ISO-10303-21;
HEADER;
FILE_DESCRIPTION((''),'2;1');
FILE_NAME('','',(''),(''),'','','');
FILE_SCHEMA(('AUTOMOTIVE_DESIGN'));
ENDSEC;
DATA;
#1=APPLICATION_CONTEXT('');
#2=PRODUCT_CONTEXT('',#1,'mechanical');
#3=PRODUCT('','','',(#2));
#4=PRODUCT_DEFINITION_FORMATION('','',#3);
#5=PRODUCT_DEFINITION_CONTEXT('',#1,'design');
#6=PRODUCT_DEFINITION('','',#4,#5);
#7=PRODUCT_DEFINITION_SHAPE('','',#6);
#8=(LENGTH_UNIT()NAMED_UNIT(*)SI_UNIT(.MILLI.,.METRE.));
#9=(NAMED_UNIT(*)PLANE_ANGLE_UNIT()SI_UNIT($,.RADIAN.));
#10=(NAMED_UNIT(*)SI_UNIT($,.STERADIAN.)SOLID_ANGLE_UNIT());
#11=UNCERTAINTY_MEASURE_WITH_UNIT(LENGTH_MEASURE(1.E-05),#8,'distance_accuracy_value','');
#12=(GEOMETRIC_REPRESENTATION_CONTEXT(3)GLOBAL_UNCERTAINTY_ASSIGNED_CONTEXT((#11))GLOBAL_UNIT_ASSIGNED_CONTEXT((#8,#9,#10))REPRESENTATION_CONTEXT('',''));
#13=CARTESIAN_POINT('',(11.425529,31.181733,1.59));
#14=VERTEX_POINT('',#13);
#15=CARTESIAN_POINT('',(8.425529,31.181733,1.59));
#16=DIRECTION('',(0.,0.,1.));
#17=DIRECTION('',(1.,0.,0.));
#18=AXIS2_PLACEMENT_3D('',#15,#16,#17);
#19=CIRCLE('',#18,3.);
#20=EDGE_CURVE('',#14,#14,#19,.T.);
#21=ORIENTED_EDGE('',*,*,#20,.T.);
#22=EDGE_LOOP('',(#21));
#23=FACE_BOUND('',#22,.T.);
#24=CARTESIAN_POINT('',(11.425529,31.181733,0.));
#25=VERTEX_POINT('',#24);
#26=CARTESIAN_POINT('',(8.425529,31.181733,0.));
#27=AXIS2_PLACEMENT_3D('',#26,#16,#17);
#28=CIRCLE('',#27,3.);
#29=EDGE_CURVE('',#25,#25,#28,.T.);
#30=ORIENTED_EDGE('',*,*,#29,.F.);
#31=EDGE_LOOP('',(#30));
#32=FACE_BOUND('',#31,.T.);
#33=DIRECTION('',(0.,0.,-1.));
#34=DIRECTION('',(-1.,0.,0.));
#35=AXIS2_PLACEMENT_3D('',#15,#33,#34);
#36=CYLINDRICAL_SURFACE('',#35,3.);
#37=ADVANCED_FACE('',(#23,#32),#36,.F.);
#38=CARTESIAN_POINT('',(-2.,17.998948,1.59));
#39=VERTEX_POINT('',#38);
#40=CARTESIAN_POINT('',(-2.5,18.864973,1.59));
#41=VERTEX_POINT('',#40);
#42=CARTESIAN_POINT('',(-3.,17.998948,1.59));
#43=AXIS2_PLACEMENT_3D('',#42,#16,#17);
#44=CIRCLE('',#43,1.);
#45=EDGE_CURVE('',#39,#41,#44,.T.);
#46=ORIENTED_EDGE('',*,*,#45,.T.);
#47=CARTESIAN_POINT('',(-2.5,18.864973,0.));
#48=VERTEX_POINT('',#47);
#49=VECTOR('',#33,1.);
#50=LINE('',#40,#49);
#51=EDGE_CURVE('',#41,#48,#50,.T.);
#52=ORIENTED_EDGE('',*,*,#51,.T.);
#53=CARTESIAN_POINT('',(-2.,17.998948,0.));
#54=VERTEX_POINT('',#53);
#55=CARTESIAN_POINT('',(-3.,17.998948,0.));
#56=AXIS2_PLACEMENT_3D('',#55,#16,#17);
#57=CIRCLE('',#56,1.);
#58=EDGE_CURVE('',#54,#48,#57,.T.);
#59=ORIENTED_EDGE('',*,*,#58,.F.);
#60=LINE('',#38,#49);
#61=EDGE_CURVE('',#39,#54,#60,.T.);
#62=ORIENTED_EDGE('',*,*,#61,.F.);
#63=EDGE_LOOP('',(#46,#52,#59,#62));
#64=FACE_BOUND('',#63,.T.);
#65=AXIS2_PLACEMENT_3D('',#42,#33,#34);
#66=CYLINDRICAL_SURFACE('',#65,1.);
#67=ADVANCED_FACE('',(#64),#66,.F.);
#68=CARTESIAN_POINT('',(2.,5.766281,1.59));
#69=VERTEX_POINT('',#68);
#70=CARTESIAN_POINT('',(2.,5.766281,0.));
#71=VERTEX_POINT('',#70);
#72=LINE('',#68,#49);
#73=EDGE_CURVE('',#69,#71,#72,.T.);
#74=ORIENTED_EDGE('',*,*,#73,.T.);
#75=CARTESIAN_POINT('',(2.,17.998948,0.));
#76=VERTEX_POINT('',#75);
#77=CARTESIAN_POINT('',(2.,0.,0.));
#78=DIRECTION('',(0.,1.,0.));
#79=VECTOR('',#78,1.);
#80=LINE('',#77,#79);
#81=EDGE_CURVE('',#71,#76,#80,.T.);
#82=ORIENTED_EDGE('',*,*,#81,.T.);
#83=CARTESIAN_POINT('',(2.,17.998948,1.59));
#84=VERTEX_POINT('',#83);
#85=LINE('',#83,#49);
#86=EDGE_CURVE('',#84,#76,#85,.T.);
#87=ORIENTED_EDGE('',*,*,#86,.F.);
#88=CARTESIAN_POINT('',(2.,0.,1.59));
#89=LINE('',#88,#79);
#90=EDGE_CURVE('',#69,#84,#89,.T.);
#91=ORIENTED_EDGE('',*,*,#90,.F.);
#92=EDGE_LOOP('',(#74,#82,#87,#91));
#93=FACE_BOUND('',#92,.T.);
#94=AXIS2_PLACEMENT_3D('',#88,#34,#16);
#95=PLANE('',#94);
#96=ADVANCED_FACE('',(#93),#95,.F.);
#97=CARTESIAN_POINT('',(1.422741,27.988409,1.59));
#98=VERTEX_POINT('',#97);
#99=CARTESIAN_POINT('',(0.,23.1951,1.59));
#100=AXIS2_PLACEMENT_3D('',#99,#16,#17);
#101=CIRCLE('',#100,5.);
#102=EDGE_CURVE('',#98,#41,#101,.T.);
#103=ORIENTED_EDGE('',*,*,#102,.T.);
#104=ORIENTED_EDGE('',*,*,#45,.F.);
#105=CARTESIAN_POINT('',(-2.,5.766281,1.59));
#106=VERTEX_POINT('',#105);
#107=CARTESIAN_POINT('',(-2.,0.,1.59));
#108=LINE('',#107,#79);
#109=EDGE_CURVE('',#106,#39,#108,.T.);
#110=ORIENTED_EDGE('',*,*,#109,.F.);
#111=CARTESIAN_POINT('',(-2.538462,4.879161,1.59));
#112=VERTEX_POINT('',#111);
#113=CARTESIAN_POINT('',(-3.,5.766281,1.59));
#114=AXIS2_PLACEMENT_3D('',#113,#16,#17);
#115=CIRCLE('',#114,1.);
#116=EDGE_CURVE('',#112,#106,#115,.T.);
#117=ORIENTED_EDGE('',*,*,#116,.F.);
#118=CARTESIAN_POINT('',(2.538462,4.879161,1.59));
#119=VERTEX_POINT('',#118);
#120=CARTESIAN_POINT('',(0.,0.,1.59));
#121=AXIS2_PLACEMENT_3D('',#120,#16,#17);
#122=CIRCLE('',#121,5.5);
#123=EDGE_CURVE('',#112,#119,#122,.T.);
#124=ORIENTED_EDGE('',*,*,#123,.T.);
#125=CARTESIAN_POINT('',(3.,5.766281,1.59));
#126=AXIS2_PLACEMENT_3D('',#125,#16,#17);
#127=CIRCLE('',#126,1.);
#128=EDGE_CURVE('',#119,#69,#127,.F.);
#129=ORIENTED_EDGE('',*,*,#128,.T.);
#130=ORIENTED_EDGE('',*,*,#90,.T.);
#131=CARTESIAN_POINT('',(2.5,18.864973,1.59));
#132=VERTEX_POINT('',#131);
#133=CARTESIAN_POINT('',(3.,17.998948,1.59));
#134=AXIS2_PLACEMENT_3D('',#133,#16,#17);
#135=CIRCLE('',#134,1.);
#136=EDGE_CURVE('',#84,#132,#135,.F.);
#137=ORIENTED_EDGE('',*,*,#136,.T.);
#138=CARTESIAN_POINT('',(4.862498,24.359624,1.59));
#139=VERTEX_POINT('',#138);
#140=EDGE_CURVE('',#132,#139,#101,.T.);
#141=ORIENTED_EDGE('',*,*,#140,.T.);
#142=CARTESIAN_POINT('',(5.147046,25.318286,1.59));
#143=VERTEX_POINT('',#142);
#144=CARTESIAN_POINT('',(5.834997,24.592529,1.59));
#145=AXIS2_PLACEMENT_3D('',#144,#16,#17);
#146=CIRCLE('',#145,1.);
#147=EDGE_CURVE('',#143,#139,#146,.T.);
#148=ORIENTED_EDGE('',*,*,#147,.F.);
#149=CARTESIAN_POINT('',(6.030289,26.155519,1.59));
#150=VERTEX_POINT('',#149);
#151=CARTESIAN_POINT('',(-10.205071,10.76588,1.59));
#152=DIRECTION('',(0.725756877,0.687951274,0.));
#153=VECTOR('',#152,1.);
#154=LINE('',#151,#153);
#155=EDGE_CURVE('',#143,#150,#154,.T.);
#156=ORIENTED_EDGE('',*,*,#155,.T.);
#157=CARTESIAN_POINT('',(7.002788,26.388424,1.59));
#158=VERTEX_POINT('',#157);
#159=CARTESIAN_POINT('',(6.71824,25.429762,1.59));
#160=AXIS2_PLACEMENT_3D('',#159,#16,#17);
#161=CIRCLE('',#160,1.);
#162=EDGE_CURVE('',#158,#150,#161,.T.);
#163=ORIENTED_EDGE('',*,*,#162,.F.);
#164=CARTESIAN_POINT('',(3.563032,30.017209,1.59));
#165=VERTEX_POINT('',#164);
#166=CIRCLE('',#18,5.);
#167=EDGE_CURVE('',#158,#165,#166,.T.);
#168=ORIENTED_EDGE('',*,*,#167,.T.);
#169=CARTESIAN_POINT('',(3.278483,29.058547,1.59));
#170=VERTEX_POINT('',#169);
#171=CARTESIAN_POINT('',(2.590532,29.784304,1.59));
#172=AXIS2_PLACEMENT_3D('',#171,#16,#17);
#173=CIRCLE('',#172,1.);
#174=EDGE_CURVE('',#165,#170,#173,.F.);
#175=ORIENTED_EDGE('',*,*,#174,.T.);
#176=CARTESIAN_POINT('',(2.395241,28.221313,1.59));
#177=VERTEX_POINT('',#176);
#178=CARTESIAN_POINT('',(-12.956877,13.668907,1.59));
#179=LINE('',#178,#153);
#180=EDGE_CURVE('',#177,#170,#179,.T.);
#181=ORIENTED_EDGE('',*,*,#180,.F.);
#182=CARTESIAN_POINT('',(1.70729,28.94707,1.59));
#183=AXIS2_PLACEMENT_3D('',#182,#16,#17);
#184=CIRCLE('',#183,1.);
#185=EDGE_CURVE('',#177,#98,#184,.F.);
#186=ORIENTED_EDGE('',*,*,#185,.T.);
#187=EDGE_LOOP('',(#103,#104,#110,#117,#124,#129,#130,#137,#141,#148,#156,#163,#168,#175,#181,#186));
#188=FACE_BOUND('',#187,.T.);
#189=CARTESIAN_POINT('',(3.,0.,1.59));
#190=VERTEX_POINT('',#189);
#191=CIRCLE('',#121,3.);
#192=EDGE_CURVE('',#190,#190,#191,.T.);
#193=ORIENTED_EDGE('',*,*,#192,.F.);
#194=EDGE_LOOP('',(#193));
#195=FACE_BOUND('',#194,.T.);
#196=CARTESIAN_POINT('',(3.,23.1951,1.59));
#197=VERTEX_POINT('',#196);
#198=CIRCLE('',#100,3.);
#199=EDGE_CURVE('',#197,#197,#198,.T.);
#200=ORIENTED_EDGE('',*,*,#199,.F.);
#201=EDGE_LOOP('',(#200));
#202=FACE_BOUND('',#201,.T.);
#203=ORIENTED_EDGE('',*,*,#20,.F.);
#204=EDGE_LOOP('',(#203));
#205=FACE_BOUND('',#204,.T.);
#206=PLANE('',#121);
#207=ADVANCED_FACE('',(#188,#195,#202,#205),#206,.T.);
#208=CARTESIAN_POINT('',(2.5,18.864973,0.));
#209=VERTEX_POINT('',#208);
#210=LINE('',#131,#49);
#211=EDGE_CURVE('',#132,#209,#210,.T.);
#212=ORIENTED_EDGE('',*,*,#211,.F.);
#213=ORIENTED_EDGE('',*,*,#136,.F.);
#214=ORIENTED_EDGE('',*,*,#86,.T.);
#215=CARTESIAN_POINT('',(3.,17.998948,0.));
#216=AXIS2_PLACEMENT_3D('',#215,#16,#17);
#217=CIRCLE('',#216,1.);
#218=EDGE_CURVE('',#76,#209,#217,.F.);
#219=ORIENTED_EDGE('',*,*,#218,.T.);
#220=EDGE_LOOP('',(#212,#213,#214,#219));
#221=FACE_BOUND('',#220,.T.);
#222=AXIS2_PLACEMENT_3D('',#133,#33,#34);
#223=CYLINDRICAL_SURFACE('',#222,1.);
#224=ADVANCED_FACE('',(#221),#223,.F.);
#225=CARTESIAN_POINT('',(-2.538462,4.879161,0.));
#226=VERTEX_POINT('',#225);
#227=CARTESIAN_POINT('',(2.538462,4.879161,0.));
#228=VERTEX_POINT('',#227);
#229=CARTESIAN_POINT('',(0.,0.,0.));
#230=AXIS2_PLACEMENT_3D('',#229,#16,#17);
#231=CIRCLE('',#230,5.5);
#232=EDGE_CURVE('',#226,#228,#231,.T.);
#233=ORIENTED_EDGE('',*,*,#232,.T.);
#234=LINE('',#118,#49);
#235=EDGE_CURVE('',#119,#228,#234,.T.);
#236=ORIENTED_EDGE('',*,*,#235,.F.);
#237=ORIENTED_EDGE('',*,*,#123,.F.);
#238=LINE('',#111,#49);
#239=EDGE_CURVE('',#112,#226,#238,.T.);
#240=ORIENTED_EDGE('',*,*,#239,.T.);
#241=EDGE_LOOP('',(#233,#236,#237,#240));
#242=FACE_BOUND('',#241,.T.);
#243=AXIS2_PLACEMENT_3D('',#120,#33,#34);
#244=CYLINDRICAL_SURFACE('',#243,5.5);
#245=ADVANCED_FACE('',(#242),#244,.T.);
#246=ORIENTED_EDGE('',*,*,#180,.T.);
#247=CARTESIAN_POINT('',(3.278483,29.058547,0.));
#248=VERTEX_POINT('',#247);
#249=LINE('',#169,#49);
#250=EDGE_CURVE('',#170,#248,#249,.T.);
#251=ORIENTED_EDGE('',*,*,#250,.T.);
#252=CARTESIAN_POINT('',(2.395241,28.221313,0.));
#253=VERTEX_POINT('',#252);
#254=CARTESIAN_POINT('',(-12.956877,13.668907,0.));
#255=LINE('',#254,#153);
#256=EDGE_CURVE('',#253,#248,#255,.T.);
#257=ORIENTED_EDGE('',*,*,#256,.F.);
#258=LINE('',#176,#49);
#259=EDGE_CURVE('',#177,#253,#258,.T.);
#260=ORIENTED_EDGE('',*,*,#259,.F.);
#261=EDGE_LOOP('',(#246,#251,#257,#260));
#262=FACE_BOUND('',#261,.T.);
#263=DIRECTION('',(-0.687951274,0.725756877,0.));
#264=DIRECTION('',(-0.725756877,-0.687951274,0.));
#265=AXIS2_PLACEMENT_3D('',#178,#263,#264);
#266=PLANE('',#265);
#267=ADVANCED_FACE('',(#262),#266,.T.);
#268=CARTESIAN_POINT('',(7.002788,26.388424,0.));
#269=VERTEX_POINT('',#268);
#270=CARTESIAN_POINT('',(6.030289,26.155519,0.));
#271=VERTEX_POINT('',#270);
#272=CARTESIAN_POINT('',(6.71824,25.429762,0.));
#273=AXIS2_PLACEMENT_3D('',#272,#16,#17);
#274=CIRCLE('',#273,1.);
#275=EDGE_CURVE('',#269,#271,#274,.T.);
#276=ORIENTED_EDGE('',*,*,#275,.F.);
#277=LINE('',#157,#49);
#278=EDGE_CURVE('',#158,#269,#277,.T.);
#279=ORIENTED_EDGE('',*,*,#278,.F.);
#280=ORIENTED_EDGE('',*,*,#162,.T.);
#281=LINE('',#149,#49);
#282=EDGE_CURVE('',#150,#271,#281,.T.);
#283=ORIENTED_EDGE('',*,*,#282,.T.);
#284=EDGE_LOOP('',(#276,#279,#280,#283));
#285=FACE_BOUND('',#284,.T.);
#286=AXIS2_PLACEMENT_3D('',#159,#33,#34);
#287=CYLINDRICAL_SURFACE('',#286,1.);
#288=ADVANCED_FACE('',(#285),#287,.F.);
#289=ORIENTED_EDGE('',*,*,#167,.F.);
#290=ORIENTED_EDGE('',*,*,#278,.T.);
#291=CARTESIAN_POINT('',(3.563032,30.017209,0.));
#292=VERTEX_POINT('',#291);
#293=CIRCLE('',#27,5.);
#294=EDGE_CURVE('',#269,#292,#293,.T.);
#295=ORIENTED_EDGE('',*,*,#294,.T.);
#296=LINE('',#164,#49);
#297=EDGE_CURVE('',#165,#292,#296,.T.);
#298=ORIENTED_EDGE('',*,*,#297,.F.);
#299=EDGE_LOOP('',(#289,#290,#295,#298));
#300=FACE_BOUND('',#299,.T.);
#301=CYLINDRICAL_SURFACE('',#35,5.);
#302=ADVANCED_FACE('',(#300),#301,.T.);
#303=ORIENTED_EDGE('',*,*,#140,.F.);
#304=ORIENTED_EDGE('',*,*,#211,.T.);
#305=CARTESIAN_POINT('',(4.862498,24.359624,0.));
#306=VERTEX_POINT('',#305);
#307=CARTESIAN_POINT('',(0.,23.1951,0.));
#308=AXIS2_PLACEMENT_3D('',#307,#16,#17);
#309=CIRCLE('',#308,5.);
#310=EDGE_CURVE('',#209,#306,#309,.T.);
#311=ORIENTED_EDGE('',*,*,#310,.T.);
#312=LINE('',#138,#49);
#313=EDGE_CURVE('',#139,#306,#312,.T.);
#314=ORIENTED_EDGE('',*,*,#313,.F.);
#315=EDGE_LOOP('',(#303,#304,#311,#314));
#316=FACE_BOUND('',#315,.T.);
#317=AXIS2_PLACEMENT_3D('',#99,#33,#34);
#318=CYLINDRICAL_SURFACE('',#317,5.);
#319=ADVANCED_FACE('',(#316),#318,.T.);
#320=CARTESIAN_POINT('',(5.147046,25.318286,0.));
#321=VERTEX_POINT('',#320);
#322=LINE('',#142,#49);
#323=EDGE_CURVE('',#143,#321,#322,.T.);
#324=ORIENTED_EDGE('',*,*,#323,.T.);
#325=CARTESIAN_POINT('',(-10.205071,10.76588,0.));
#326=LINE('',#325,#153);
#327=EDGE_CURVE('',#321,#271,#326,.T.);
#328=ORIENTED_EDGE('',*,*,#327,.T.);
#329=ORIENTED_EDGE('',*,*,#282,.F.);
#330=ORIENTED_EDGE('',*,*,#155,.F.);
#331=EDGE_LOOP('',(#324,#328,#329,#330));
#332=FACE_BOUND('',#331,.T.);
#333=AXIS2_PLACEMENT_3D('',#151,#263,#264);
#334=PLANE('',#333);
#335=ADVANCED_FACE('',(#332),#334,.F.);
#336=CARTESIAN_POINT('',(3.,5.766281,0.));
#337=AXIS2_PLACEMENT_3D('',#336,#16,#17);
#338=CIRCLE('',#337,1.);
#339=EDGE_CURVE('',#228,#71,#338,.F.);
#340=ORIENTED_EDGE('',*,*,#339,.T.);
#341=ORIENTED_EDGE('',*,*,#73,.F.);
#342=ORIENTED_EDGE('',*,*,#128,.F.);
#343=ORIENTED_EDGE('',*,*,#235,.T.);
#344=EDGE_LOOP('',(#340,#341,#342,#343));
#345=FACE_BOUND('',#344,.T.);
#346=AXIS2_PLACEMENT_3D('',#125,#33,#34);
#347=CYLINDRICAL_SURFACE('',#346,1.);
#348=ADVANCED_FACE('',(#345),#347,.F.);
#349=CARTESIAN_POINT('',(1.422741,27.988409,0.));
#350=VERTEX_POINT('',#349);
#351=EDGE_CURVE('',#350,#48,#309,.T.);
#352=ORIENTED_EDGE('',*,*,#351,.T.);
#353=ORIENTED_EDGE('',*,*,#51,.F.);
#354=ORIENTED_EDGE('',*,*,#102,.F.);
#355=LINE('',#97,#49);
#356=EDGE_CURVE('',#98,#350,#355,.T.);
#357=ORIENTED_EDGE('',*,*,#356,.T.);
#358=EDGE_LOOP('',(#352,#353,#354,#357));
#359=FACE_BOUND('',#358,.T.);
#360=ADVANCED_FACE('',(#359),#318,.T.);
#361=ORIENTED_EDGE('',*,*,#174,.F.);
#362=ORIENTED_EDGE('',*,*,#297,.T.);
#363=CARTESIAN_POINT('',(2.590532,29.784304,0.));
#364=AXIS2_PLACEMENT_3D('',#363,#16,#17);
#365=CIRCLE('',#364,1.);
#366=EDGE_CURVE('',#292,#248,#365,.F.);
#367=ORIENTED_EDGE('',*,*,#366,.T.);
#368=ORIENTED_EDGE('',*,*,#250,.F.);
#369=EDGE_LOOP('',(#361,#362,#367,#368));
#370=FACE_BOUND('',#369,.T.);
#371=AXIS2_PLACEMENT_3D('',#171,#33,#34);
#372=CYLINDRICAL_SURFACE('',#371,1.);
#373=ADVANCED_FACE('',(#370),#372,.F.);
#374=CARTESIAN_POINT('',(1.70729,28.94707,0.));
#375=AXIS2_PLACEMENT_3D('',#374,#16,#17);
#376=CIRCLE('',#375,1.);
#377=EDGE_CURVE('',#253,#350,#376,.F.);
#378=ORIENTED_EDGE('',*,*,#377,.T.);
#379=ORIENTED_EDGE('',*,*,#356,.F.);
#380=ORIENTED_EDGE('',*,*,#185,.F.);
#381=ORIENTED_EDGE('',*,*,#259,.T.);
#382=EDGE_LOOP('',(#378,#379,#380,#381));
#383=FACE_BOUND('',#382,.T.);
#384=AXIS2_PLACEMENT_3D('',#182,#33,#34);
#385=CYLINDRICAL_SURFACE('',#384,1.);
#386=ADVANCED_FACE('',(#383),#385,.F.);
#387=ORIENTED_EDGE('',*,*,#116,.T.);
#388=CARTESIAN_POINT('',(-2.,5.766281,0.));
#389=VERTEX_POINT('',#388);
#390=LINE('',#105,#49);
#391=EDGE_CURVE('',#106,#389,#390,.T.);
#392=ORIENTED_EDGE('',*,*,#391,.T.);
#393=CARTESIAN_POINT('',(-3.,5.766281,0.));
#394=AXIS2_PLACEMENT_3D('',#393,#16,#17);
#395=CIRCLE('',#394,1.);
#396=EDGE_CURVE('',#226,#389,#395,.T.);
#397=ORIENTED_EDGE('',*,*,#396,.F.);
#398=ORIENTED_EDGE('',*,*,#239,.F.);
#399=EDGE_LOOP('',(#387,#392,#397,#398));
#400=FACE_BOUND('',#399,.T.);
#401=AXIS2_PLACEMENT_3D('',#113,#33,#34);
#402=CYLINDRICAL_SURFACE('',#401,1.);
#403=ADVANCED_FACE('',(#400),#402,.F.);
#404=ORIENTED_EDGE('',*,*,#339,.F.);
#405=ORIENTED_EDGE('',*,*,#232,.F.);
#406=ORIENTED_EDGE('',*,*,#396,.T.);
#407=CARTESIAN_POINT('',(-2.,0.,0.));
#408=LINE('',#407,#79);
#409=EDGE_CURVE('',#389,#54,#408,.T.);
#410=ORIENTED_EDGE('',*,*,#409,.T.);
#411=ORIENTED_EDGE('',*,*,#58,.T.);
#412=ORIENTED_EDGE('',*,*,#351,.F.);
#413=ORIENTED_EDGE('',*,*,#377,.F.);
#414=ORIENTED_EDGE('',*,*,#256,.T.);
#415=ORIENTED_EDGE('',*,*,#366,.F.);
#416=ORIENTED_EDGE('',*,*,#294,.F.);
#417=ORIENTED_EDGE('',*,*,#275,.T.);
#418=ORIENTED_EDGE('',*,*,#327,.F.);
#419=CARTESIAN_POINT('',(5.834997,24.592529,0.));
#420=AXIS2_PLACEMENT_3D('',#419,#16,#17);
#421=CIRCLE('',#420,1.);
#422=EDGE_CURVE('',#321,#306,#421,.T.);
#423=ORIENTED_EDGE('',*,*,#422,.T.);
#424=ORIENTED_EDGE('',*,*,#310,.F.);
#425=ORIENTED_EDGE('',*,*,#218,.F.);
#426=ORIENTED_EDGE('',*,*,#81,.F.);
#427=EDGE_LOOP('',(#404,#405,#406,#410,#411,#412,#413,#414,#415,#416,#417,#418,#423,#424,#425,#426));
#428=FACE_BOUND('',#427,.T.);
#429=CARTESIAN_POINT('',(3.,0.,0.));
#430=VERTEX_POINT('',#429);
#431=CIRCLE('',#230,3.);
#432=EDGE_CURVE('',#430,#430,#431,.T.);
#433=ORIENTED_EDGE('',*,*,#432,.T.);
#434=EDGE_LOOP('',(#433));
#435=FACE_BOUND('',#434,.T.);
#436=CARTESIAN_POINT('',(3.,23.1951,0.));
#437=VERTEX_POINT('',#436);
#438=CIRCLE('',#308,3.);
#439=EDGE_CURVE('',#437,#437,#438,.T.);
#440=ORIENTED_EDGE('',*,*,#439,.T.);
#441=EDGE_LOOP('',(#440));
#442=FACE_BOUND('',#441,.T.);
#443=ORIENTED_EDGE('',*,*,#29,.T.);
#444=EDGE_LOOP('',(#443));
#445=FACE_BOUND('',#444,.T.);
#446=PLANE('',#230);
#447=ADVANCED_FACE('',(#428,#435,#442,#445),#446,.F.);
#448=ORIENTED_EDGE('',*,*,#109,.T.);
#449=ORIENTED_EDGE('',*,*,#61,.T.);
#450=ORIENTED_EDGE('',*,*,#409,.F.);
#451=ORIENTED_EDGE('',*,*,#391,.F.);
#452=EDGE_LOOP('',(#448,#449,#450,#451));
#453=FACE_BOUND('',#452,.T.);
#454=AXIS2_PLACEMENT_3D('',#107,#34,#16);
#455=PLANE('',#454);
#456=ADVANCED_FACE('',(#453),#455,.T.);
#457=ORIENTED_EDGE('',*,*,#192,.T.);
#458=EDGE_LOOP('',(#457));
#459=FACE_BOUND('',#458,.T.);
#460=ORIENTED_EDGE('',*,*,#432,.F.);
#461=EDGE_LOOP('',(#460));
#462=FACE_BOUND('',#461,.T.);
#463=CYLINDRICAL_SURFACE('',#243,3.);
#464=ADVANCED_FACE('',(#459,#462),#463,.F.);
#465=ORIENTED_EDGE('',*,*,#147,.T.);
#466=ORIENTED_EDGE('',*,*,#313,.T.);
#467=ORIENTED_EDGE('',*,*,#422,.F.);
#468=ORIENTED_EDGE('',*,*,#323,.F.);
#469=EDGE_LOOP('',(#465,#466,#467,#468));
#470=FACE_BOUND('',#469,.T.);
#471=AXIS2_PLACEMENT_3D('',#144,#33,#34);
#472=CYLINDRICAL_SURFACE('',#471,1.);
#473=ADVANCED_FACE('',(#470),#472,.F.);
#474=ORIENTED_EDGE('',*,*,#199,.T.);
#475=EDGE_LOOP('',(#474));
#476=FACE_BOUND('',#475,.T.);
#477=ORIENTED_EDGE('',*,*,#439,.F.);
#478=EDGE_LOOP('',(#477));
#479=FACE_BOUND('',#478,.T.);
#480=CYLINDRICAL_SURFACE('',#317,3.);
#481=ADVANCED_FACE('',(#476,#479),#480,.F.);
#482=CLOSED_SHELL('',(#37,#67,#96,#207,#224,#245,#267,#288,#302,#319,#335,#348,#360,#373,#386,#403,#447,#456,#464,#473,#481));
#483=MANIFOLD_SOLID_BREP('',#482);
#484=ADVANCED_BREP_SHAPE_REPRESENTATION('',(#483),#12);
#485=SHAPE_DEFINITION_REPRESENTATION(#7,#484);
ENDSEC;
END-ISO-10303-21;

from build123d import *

# Parameters (mm, degrees)
SKETCH1_R           = 3
BOSS_EXTRUDE1_DEPTH = 1.59


with BuildPart() as part:
    # Sketch1 → Boss-Extrude1 (new body)
    with BuildSketch(Plane.XY):
        with BuildLine():
            Line((5.147045903, 25.318285926), (6.030288505, 26.155519293))
            ThreePointArc((6.030288505, 26.155519293), (6.485334938, 26.402261945), (7.002788035, 26.388424134))
            ThreePointArc((7.002788035, 26.388424134), (12.054313697, 34.621489097), (3.563031664, 30.017208519))
            ThreePointArc((3.563031664, 30.017208519), (3.549193853, 29.499755422), (3.278483409, 29.058546801))
            Line((3.278483409, 29.058546801), (2.395240806, 28.221313434))
            ThreePointArc((2.395240806, 28.221313434), (1.940194374, 27.974570781), (1.422741277, 27.988408592))
            ThreePointArc((1.422741277, 27.988408592), (-4.593407333, 25.170095968), (-2.5, 18.864972981))
            ThreePointArc((-2.5, 18.864972981), (-2.133974596, 18.498947577), (-2, 17.998947577))
            Line((-2, 17.998947577), (-2, 5.766281297))
            ThreePointArc((-2, 5.766281297), (-2.145149586, 5.247406776), (-2.538461538, 4.879161098))
            ThreePointArc((-2.538461538, 4.879161098), (0, -5.5), (2.538461538, 4.879161098))
            ThreePointArc((2.538461538, 4.879161098), (2.145149586, 5.247406776), (2, 5.766281297))
            Line((2, 5.766281297), (2, 17.998947577))
            ThreePointArc((2, 17.998947577), (2.133974596, 18.498947577), (2.5, 18.864972981))
            ThreePointArc((2.5, 18.864972981), (4.593407333, 21.220104032), (4.862497647, 24.359624207))
            ThreePointArc((4.862497647, 24.359624207), (4.876335458, 24.877077304), (5.147045903, 25.318285926))
        make_face()
        Circle(SKETCH1_R, mode=Mode.SUBTRACT)
        with Locations((0, 23.1951)):
            Circle(SKETCH1_R, mode=Mode.SUBTRACT)
        with Locations((8.425529312, 31.181732726)):
            Circle(SKETCH1_R, mode=Mode.SUBTRACT)
    extrude(amount=BOSS_EXTRUDE1_DEPTH)


solid = part.part
